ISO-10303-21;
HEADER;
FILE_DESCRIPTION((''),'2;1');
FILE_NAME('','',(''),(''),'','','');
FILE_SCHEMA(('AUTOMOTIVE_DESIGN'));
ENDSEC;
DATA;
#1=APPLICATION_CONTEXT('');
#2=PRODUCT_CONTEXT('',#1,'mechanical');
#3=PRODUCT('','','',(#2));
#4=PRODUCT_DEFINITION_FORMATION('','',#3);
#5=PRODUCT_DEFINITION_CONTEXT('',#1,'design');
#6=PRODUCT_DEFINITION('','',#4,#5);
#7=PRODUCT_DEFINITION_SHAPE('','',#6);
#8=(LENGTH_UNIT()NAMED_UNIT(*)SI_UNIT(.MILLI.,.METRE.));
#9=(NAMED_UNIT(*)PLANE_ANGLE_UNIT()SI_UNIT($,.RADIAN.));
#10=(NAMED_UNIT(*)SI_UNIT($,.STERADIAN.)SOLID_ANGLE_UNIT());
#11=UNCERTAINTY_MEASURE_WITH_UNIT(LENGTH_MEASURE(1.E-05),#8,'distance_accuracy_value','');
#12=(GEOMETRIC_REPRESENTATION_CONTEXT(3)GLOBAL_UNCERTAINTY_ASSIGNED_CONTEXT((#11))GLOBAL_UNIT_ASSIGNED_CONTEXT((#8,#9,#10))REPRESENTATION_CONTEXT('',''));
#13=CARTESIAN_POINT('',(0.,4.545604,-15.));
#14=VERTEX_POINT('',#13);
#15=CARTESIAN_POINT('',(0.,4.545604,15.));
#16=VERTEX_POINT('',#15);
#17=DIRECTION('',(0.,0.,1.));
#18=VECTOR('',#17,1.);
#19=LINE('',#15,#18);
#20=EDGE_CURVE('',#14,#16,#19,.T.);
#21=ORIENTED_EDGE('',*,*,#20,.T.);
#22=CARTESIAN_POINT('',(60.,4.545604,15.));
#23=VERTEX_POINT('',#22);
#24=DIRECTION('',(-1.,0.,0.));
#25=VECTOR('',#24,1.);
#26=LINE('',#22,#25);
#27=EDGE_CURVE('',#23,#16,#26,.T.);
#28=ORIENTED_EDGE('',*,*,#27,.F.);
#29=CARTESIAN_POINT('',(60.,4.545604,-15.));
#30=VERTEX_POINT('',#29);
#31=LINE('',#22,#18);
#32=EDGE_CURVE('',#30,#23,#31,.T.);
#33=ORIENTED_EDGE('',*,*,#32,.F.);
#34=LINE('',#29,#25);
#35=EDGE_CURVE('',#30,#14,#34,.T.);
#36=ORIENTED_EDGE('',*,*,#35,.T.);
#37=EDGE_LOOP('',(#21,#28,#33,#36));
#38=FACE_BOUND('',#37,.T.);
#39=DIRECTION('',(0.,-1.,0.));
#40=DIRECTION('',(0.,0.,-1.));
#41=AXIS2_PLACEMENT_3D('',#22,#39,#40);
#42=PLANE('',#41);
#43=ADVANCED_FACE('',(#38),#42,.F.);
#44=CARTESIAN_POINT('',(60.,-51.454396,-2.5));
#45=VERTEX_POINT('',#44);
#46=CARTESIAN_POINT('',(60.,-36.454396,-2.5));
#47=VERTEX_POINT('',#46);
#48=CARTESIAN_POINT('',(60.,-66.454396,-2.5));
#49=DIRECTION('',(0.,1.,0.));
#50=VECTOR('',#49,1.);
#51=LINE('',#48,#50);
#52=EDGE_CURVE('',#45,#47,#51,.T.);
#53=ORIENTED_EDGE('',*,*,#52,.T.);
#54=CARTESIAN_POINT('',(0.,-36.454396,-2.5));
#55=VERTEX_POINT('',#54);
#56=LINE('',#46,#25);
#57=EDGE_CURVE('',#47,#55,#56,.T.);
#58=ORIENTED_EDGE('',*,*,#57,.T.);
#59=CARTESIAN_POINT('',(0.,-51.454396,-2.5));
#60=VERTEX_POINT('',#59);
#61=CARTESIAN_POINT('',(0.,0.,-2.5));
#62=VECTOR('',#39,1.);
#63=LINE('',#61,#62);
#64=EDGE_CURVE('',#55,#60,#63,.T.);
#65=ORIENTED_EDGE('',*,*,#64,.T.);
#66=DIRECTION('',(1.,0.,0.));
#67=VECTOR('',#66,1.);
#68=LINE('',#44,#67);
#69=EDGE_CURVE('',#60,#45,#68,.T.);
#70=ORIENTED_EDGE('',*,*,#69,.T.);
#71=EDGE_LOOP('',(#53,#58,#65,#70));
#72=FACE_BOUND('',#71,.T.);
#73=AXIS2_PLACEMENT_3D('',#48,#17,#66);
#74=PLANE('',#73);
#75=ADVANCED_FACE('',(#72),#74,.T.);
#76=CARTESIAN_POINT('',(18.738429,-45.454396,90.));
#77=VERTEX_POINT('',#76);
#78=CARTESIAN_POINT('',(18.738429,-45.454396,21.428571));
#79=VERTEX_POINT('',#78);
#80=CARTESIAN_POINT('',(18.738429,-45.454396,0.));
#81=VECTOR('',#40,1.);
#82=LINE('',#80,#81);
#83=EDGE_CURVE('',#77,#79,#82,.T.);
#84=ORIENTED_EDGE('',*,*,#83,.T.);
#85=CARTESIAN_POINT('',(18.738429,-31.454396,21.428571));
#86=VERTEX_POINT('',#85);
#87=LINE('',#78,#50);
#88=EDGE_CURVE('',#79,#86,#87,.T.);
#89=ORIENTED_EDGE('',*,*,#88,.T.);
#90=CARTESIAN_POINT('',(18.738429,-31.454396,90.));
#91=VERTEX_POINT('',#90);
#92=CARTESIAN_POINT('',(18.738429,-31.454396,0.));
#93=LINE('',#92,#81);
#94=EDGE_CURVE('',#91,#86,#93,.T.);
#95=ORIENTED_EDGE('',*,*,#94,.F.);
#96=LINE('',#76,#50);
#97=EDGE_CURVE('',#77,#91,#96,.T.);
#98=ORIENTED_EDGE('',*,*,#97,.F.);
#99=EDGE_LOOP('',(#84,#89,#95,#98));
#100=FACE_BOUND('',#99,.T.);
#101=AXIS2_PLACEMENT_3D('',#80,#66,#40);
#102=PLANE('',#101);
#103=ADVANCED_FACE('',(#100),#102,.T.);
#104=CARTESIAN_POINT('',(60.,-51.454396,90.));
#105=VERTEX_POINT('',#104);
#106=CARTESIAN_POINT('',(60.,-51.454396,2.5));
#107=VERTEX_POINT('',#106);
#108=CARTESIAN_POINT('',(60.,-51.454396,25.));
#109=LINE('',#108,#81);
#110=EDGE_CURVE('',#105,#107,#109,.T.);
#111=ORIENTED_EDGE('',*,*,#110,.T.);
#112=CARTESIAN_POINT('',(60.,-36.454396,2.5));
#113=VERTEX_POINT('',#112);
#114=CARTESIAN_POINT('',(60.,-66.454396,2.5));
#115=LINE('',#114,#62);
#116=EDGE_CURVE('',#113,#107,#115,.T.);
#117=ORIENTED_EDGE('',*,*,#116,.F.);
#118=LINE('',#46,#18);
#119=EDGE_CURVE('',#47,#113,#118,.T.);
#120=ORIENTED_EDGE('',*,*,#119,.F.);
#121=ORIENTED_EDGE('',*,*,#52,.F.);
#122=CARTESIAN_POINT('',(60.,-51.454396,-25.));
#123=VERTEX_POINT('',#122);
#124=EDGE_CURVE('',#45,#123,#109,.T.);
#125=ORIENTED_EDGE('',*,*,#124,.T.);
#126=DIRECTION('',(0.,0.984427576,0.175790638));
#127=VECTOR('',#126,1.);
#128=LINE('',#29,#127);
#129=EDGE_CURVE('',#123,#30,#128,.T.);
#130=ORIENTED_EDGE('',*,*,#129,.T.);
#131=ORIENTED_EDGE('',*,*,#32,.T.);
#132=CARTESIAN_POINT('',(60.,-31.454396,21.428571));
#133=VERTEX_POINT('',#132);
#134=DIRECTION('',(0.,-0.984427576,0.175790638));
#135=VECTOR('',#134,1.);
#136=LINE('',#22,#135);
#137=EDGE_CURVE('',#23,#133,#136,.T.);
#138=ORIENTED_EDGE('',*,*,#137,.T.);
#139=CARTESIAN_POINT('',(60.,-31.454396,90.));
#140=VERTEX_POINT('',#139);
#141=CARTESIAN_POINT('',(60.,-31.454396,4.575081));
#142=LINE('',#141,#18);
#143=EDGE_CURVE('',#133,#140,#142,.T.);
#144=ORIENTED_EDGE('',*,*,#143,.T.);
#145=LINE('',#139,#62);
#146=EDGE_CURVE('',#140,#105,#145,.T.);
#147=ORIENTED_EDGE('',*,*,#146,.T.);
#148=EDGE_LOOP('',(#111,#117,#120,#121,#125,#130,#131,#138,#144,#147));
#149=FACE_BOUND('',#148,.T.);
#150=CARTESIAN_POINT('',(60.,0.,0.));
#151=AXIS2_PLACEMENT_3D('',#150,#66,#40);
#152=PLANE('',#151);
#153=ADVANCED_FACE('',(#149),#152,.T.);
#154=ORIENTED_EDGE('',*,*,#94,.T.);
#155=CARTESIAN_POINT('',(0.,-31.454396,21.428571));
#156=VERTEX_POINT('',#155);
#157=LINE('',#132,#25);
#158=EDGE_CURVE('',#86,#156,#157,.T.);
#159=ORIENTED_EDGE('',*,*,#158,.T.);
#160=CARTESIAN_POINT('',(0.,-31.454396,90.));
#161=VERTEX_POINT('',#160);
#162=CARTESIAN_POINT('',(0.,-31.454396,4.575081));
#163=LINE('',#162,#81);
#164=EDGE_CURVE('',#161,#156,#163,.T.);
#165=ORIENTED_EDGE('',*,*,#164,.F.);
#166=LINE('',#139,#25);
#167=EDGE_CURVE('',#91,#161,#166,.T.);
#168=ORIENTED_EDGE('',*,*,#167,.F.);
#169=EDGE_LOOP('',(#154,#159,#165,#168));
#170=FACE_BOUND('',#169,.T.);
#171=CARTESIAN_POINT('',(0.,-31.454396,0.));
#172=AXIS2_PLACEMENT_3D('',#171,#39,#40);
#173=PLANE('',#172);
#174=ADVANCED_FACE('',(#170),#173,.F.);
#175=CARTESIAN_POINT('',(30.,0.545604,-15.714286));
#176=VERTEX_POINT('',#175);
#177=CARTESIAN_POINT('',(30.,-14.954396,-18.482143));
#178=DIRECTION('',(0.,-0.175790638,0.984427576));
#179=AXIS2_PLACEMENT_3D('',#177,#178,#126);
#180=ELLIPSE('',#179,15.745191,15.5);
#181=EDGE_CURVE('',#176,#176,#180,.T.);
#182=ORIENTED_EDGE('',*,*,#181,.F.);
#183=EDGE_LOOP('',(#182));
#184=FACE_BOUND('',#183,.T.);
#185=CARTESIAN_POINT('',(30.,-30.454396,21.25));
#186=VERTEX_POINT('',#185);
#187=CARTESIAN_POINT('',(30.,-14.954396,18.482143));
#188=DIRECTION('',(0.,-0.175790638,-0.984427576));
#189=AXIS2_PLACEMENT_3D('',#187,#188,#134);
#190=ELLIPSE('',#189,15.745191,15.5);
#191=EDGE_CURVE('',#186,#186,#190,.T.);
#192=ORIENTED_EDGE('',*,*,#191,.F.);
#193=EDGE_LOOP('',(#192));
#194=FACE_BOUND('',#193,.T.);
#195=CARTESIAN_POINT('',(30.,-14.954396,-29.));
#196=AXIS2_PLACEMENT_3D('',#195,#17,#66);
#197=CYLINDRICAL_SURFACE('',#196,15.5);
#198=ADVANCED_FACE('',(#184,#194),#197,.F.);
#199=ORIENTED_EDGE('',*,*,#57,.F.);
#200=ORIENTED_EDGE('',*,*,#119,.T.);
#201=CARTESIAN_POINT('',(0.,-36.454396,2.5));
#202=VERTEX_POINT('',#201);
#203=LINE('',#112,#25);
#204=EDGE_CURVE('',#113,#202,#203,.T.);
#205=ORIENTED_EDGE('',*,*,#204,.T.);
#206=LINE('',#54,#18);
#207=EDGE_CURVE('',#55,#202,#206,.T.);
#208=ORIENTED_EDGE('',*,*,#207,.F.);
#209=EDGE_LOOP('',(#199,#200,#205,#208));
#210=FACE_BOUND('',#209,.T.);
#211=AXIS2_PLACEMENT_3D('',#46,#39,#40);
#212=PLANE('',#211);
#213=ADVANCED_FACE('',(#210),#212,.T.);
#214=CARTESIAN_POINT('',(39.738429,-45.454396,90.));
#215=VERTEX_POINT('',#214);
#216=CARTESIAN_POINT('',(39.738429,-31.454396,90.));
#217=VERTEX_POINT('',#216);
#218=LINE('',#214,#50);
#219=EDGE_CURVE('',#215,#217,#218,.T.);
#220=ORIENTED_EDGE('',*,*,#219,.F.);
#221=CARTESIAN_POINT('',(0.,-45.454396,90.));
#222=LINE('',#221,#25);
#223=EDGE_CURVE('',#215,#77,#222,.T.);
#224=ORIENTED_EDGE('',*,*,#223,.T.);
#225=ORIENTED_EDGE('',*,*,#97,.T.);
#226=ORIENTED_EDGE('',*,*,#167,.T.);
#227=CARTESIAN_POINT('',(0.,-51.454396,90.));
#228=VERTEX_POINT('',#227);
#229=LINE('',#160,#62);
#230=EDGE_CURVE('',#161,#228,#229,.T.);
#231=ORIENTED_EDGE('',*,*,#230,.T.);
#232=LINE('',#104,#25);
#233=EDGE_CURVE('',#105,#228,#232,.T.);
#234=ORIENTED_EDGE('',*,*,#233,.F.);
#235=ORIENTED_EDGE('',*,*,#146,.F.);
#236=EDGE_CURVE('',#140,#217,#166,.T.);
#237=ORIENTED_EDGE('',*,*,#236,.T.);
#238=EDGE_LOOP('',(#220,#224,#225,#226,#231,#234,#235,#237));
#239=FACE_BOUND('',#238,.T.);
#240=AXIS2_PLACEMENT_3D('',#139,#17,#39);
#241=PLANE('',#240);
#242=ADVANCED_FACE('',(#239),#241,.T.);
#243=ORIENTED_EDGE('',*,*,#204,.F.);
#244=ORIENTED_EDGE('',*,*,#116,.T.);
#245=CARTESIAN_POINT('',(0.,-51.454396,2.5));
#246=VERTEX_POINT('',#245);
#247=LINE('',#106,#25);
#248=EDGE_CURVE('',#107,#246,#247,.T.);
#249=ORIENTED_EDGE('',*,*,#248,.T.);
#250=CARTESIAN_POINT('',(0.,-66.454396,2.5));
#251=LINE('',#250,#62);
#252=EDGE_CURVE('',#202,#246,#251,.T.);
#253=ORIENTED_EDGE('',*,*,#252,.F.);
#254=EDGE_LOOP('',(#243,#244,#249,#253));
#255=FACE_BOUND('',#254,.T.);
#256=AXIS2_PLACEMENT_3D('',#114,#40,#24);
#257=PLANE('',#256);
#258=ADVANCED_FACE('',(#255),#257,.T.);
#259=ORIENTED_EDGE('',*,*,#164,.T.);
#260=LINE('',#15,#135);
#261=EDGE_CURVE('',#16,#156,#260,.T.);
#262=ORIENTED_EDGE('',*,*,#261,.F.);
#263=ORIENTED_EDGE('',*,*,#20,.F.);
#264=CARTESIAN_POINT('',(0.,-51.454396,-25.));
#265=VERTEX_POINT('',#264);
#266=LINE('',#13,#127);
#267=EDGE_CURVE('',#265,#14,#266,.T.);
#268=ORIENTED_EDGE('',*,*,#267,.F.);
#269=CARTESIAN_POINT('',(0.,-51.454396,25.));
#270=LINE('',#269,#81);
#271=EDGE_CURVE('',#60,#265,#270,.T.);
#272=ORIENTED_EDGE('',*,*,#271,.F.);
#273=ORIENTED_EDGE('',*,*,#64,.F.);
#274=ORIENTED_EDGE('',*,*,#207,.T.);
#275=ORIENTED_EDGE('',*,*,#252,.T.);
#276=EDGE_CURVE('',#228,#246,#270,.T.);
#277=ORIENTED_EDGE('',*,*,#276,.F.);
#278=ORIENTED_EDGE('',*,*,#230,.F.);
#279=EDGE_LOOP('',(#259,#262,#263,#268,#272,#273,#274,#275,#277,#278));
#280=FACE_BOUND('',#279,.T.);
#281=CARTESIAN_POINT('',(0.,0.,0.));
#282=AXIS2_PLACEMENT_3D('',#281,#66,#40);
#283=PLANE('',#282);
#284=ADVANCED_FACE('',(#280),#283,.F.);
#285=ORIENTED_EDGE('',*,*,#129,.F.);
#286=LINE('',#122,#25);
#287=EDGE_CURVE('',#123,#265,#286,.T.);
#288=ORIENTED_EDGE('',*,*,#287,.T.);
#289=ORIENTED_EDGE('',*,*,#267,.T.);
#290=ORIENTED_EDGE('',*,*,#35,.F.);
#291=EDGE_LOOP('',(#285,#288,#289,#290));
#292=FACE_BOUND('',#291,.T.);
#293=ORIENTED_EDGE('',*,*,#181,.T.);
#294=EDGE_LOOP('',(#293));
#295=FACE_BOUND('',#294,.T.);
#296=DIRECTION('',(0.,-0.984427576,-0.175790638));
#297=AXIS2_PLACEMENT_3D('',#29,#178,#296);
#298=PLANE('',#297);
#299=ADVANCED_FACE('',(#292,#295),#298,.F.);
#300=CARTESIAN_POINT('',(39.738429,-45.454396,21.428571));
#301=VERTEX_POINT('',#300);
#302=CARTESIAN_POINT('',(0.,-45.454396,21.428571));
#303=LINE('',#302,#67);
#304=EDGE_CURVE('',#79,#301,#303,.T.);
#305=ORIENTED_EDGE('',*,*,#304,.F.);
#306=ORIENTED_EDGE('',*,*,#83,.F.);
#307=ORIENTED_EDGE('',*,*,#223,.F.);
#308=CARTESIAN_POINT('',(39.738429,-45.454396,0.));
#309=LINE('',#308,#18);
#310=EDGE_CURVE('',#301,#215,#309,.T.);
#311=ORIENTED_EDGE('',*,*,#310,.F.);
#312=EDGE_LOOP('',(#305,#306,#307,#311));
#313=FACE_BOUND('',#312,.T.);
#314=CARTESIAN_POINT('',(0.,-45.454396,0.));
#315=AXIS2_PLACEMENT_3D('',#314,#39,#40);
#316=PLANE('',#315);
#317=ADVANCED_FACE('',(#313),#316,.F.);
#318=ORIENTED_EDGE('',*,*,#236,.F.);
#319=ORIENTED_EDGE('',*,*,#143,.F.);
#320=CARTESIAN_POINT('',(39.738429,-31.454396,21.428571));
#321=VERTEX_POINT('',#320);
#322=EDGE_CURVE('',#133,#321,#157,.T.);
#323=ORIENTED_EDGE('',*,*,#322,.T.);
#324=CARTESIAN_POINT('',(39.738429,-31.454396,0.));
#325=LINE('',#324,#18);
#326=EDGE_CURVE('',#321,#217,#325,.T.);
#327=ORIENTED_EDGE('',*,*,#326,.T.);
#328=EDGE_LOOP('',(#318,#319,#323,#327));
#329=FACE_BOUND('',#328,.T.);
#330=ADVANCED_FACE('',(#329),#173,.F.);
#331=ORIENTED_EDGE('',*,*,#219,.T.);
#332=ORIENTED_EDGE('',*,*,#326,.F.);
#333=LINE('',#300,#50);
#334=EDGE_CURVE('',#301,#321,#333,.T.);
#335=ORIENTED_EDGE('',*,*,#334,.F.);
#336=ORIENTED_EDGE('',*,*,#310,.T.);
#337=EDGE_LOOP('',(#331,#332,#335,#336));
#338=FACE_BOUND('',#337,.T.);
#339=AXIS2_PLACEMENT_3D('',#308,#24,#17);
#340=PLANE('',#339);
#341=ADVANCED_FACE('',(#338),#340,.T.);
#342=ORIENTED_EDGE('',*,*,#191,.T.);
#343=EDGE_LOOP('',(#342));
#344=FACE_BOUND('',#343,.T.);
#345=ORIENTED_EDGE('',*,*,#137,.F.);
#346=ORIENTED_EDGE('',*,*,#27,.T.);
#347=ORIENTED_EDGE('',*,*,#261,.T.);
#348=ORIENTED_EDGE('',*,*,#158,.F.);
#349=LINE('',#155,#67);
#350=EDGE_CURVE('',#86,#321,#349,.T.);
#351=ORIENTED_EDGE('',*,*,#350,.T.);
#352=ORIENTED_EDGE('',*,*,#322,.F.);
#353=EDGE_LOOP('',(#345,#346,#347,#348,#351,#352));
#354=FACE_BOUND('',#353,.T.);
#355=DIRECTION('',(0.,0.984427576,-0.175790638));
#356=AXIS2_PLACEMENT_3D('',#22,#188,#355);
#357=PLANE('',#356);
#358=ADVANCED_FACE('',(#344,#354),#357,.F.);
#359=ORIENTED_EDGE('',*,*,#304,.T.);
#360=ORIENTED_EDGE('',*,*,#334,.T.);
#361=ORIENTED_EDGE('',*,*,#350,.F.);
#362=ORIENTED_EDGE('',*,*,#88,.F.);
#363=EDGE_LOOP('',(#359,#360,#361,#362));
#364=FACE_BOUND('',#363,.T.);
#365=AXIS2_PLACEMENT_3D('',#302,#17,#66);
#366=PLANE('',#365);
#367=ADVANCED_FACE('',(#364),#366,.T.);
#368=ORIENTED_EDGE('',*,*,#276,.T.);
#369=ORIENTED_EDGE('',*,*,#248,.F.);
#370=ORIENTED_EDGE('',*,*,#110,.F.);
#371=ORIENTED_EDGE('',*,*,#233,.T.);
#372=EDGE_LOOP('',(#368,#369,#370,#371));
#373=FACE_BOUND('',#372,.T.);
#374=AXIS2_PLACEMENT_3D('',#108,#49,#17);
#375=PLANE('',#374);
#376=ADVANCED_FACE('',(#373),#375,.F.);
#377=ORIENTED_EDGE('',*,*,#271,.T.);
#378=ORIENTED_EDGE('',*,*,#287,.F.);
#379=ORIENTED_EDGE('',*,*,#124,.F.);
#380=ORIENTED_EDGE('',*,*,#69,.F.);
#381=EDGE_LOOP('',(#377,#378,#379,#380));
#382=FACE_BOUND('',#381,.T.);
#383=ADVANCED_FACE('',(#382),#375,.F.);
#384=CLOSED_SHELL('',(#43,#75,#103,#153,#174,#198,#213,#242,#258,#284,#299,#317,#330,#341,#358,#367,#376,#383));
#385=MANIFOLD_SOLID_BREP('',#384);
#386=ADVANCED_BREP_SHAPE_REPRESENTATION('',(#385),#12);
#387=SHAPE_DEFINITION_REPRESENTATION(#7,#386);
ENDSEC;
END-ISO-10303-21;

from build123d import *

# Parameters (mm, degrees)
EXTRUDE_1_DEPTH          = 60
CUT_EXTRUDE_1_DEPTH      = 40
CUT_EXTRUDE_1_DEPTH_BACK = 29
SKETCH_4_R               = 15.5
SKETCH_5_W               = 5
SKETCH_5_H               = 30
CUT_EXTRUDE_2_DEPTH      = 83.900874001
SKETCH_7_W               = 60
SKETCH_7_H               = 85.424918669
EXTRUDE_2_DEPTH          = 20
CUT_EXTRUDE_START        = -31.454396
SKETCH_8_W               = 21
SKETCH_8_H               = 68.571428571
CUT_EXTRUDE_3_DEPTH      = 14


with BuildPart() as part:
    # 스케치3 → 보스-돌출1 (new body)
    with BuildSketch(Plane(origin=(0, 0, 0), x_dir=(0, 0, -1), z_dir=(1, 0, 0))):
        Polygon((-25, -51.454396413), (25, -51.454396413), (15, 4.545603587), (-15, 4.545603587), align=None)
    extrude(amount=EXTRUDE_1_DEPTH)

    # 스케치4 → 컷-돌출1 (cut, two sides: drawn at the far end of the back side and taken through both)
    with BuildSketch(Plane.XY.offset(-CUT_EXTRUDE_1_DEPTH_BACK)):
        with Locations(Location((30, -14.954396413, 0), (0, 0, 90))):
            Circle(SKETCH_4_R)
    extrude(amount=CUT_EXTRUDE_1_DEPTH + CUT_EXTRUDE_1_DEPTH_BACK, mode=Mode.SUBTRACT)

    # 스케치5 → 컷-돌출2 (cut, through all)
    with BuildSketch(Plane(origin=(0, 0, 0), x_dir=(0, 0, -1), z_dir=(1, 0, 0))):
        with Locations((0, -51.454396413)):
            Rectangle(SKETCH_5_W, SKETCH_5_H)
    extrude(amount=CUT_EXTRUDE_2_DEPTH, mode=Mode.SUBTRACT)

    # 스케치7 → 보스-돌출2 (add)
    with BuildSketch(Plane(origin=(0, -51.454396413, 0), x_dir=(-1, 0, 0), z_dir=(0, -1, 0))):
        with Locations((-30, -47.287540666)):
            Rectangle(SKETCH_7_W, SKETCH_7_H)
    extrude(amount=-EXTRUDE_2_DEPTH)

    # 스케치8 → 컷-돌출3 (cut)
    with BuildSketch(Plane(origin=(0, 0, 0), x_dir=(1, 0, 0), z_dir=(0, 1, 0)).offset(CUT_EXTRUDE_START)):
        with Locations((29.238428934, -55.714285715)):
            Rectangle(SKETCH_8_W, SKETCH_8_H)
    extrude(amount=-CUT_EXTRUDE_3_DEPTH, mode=Mode.SUBTRACT)


solid = part.part
